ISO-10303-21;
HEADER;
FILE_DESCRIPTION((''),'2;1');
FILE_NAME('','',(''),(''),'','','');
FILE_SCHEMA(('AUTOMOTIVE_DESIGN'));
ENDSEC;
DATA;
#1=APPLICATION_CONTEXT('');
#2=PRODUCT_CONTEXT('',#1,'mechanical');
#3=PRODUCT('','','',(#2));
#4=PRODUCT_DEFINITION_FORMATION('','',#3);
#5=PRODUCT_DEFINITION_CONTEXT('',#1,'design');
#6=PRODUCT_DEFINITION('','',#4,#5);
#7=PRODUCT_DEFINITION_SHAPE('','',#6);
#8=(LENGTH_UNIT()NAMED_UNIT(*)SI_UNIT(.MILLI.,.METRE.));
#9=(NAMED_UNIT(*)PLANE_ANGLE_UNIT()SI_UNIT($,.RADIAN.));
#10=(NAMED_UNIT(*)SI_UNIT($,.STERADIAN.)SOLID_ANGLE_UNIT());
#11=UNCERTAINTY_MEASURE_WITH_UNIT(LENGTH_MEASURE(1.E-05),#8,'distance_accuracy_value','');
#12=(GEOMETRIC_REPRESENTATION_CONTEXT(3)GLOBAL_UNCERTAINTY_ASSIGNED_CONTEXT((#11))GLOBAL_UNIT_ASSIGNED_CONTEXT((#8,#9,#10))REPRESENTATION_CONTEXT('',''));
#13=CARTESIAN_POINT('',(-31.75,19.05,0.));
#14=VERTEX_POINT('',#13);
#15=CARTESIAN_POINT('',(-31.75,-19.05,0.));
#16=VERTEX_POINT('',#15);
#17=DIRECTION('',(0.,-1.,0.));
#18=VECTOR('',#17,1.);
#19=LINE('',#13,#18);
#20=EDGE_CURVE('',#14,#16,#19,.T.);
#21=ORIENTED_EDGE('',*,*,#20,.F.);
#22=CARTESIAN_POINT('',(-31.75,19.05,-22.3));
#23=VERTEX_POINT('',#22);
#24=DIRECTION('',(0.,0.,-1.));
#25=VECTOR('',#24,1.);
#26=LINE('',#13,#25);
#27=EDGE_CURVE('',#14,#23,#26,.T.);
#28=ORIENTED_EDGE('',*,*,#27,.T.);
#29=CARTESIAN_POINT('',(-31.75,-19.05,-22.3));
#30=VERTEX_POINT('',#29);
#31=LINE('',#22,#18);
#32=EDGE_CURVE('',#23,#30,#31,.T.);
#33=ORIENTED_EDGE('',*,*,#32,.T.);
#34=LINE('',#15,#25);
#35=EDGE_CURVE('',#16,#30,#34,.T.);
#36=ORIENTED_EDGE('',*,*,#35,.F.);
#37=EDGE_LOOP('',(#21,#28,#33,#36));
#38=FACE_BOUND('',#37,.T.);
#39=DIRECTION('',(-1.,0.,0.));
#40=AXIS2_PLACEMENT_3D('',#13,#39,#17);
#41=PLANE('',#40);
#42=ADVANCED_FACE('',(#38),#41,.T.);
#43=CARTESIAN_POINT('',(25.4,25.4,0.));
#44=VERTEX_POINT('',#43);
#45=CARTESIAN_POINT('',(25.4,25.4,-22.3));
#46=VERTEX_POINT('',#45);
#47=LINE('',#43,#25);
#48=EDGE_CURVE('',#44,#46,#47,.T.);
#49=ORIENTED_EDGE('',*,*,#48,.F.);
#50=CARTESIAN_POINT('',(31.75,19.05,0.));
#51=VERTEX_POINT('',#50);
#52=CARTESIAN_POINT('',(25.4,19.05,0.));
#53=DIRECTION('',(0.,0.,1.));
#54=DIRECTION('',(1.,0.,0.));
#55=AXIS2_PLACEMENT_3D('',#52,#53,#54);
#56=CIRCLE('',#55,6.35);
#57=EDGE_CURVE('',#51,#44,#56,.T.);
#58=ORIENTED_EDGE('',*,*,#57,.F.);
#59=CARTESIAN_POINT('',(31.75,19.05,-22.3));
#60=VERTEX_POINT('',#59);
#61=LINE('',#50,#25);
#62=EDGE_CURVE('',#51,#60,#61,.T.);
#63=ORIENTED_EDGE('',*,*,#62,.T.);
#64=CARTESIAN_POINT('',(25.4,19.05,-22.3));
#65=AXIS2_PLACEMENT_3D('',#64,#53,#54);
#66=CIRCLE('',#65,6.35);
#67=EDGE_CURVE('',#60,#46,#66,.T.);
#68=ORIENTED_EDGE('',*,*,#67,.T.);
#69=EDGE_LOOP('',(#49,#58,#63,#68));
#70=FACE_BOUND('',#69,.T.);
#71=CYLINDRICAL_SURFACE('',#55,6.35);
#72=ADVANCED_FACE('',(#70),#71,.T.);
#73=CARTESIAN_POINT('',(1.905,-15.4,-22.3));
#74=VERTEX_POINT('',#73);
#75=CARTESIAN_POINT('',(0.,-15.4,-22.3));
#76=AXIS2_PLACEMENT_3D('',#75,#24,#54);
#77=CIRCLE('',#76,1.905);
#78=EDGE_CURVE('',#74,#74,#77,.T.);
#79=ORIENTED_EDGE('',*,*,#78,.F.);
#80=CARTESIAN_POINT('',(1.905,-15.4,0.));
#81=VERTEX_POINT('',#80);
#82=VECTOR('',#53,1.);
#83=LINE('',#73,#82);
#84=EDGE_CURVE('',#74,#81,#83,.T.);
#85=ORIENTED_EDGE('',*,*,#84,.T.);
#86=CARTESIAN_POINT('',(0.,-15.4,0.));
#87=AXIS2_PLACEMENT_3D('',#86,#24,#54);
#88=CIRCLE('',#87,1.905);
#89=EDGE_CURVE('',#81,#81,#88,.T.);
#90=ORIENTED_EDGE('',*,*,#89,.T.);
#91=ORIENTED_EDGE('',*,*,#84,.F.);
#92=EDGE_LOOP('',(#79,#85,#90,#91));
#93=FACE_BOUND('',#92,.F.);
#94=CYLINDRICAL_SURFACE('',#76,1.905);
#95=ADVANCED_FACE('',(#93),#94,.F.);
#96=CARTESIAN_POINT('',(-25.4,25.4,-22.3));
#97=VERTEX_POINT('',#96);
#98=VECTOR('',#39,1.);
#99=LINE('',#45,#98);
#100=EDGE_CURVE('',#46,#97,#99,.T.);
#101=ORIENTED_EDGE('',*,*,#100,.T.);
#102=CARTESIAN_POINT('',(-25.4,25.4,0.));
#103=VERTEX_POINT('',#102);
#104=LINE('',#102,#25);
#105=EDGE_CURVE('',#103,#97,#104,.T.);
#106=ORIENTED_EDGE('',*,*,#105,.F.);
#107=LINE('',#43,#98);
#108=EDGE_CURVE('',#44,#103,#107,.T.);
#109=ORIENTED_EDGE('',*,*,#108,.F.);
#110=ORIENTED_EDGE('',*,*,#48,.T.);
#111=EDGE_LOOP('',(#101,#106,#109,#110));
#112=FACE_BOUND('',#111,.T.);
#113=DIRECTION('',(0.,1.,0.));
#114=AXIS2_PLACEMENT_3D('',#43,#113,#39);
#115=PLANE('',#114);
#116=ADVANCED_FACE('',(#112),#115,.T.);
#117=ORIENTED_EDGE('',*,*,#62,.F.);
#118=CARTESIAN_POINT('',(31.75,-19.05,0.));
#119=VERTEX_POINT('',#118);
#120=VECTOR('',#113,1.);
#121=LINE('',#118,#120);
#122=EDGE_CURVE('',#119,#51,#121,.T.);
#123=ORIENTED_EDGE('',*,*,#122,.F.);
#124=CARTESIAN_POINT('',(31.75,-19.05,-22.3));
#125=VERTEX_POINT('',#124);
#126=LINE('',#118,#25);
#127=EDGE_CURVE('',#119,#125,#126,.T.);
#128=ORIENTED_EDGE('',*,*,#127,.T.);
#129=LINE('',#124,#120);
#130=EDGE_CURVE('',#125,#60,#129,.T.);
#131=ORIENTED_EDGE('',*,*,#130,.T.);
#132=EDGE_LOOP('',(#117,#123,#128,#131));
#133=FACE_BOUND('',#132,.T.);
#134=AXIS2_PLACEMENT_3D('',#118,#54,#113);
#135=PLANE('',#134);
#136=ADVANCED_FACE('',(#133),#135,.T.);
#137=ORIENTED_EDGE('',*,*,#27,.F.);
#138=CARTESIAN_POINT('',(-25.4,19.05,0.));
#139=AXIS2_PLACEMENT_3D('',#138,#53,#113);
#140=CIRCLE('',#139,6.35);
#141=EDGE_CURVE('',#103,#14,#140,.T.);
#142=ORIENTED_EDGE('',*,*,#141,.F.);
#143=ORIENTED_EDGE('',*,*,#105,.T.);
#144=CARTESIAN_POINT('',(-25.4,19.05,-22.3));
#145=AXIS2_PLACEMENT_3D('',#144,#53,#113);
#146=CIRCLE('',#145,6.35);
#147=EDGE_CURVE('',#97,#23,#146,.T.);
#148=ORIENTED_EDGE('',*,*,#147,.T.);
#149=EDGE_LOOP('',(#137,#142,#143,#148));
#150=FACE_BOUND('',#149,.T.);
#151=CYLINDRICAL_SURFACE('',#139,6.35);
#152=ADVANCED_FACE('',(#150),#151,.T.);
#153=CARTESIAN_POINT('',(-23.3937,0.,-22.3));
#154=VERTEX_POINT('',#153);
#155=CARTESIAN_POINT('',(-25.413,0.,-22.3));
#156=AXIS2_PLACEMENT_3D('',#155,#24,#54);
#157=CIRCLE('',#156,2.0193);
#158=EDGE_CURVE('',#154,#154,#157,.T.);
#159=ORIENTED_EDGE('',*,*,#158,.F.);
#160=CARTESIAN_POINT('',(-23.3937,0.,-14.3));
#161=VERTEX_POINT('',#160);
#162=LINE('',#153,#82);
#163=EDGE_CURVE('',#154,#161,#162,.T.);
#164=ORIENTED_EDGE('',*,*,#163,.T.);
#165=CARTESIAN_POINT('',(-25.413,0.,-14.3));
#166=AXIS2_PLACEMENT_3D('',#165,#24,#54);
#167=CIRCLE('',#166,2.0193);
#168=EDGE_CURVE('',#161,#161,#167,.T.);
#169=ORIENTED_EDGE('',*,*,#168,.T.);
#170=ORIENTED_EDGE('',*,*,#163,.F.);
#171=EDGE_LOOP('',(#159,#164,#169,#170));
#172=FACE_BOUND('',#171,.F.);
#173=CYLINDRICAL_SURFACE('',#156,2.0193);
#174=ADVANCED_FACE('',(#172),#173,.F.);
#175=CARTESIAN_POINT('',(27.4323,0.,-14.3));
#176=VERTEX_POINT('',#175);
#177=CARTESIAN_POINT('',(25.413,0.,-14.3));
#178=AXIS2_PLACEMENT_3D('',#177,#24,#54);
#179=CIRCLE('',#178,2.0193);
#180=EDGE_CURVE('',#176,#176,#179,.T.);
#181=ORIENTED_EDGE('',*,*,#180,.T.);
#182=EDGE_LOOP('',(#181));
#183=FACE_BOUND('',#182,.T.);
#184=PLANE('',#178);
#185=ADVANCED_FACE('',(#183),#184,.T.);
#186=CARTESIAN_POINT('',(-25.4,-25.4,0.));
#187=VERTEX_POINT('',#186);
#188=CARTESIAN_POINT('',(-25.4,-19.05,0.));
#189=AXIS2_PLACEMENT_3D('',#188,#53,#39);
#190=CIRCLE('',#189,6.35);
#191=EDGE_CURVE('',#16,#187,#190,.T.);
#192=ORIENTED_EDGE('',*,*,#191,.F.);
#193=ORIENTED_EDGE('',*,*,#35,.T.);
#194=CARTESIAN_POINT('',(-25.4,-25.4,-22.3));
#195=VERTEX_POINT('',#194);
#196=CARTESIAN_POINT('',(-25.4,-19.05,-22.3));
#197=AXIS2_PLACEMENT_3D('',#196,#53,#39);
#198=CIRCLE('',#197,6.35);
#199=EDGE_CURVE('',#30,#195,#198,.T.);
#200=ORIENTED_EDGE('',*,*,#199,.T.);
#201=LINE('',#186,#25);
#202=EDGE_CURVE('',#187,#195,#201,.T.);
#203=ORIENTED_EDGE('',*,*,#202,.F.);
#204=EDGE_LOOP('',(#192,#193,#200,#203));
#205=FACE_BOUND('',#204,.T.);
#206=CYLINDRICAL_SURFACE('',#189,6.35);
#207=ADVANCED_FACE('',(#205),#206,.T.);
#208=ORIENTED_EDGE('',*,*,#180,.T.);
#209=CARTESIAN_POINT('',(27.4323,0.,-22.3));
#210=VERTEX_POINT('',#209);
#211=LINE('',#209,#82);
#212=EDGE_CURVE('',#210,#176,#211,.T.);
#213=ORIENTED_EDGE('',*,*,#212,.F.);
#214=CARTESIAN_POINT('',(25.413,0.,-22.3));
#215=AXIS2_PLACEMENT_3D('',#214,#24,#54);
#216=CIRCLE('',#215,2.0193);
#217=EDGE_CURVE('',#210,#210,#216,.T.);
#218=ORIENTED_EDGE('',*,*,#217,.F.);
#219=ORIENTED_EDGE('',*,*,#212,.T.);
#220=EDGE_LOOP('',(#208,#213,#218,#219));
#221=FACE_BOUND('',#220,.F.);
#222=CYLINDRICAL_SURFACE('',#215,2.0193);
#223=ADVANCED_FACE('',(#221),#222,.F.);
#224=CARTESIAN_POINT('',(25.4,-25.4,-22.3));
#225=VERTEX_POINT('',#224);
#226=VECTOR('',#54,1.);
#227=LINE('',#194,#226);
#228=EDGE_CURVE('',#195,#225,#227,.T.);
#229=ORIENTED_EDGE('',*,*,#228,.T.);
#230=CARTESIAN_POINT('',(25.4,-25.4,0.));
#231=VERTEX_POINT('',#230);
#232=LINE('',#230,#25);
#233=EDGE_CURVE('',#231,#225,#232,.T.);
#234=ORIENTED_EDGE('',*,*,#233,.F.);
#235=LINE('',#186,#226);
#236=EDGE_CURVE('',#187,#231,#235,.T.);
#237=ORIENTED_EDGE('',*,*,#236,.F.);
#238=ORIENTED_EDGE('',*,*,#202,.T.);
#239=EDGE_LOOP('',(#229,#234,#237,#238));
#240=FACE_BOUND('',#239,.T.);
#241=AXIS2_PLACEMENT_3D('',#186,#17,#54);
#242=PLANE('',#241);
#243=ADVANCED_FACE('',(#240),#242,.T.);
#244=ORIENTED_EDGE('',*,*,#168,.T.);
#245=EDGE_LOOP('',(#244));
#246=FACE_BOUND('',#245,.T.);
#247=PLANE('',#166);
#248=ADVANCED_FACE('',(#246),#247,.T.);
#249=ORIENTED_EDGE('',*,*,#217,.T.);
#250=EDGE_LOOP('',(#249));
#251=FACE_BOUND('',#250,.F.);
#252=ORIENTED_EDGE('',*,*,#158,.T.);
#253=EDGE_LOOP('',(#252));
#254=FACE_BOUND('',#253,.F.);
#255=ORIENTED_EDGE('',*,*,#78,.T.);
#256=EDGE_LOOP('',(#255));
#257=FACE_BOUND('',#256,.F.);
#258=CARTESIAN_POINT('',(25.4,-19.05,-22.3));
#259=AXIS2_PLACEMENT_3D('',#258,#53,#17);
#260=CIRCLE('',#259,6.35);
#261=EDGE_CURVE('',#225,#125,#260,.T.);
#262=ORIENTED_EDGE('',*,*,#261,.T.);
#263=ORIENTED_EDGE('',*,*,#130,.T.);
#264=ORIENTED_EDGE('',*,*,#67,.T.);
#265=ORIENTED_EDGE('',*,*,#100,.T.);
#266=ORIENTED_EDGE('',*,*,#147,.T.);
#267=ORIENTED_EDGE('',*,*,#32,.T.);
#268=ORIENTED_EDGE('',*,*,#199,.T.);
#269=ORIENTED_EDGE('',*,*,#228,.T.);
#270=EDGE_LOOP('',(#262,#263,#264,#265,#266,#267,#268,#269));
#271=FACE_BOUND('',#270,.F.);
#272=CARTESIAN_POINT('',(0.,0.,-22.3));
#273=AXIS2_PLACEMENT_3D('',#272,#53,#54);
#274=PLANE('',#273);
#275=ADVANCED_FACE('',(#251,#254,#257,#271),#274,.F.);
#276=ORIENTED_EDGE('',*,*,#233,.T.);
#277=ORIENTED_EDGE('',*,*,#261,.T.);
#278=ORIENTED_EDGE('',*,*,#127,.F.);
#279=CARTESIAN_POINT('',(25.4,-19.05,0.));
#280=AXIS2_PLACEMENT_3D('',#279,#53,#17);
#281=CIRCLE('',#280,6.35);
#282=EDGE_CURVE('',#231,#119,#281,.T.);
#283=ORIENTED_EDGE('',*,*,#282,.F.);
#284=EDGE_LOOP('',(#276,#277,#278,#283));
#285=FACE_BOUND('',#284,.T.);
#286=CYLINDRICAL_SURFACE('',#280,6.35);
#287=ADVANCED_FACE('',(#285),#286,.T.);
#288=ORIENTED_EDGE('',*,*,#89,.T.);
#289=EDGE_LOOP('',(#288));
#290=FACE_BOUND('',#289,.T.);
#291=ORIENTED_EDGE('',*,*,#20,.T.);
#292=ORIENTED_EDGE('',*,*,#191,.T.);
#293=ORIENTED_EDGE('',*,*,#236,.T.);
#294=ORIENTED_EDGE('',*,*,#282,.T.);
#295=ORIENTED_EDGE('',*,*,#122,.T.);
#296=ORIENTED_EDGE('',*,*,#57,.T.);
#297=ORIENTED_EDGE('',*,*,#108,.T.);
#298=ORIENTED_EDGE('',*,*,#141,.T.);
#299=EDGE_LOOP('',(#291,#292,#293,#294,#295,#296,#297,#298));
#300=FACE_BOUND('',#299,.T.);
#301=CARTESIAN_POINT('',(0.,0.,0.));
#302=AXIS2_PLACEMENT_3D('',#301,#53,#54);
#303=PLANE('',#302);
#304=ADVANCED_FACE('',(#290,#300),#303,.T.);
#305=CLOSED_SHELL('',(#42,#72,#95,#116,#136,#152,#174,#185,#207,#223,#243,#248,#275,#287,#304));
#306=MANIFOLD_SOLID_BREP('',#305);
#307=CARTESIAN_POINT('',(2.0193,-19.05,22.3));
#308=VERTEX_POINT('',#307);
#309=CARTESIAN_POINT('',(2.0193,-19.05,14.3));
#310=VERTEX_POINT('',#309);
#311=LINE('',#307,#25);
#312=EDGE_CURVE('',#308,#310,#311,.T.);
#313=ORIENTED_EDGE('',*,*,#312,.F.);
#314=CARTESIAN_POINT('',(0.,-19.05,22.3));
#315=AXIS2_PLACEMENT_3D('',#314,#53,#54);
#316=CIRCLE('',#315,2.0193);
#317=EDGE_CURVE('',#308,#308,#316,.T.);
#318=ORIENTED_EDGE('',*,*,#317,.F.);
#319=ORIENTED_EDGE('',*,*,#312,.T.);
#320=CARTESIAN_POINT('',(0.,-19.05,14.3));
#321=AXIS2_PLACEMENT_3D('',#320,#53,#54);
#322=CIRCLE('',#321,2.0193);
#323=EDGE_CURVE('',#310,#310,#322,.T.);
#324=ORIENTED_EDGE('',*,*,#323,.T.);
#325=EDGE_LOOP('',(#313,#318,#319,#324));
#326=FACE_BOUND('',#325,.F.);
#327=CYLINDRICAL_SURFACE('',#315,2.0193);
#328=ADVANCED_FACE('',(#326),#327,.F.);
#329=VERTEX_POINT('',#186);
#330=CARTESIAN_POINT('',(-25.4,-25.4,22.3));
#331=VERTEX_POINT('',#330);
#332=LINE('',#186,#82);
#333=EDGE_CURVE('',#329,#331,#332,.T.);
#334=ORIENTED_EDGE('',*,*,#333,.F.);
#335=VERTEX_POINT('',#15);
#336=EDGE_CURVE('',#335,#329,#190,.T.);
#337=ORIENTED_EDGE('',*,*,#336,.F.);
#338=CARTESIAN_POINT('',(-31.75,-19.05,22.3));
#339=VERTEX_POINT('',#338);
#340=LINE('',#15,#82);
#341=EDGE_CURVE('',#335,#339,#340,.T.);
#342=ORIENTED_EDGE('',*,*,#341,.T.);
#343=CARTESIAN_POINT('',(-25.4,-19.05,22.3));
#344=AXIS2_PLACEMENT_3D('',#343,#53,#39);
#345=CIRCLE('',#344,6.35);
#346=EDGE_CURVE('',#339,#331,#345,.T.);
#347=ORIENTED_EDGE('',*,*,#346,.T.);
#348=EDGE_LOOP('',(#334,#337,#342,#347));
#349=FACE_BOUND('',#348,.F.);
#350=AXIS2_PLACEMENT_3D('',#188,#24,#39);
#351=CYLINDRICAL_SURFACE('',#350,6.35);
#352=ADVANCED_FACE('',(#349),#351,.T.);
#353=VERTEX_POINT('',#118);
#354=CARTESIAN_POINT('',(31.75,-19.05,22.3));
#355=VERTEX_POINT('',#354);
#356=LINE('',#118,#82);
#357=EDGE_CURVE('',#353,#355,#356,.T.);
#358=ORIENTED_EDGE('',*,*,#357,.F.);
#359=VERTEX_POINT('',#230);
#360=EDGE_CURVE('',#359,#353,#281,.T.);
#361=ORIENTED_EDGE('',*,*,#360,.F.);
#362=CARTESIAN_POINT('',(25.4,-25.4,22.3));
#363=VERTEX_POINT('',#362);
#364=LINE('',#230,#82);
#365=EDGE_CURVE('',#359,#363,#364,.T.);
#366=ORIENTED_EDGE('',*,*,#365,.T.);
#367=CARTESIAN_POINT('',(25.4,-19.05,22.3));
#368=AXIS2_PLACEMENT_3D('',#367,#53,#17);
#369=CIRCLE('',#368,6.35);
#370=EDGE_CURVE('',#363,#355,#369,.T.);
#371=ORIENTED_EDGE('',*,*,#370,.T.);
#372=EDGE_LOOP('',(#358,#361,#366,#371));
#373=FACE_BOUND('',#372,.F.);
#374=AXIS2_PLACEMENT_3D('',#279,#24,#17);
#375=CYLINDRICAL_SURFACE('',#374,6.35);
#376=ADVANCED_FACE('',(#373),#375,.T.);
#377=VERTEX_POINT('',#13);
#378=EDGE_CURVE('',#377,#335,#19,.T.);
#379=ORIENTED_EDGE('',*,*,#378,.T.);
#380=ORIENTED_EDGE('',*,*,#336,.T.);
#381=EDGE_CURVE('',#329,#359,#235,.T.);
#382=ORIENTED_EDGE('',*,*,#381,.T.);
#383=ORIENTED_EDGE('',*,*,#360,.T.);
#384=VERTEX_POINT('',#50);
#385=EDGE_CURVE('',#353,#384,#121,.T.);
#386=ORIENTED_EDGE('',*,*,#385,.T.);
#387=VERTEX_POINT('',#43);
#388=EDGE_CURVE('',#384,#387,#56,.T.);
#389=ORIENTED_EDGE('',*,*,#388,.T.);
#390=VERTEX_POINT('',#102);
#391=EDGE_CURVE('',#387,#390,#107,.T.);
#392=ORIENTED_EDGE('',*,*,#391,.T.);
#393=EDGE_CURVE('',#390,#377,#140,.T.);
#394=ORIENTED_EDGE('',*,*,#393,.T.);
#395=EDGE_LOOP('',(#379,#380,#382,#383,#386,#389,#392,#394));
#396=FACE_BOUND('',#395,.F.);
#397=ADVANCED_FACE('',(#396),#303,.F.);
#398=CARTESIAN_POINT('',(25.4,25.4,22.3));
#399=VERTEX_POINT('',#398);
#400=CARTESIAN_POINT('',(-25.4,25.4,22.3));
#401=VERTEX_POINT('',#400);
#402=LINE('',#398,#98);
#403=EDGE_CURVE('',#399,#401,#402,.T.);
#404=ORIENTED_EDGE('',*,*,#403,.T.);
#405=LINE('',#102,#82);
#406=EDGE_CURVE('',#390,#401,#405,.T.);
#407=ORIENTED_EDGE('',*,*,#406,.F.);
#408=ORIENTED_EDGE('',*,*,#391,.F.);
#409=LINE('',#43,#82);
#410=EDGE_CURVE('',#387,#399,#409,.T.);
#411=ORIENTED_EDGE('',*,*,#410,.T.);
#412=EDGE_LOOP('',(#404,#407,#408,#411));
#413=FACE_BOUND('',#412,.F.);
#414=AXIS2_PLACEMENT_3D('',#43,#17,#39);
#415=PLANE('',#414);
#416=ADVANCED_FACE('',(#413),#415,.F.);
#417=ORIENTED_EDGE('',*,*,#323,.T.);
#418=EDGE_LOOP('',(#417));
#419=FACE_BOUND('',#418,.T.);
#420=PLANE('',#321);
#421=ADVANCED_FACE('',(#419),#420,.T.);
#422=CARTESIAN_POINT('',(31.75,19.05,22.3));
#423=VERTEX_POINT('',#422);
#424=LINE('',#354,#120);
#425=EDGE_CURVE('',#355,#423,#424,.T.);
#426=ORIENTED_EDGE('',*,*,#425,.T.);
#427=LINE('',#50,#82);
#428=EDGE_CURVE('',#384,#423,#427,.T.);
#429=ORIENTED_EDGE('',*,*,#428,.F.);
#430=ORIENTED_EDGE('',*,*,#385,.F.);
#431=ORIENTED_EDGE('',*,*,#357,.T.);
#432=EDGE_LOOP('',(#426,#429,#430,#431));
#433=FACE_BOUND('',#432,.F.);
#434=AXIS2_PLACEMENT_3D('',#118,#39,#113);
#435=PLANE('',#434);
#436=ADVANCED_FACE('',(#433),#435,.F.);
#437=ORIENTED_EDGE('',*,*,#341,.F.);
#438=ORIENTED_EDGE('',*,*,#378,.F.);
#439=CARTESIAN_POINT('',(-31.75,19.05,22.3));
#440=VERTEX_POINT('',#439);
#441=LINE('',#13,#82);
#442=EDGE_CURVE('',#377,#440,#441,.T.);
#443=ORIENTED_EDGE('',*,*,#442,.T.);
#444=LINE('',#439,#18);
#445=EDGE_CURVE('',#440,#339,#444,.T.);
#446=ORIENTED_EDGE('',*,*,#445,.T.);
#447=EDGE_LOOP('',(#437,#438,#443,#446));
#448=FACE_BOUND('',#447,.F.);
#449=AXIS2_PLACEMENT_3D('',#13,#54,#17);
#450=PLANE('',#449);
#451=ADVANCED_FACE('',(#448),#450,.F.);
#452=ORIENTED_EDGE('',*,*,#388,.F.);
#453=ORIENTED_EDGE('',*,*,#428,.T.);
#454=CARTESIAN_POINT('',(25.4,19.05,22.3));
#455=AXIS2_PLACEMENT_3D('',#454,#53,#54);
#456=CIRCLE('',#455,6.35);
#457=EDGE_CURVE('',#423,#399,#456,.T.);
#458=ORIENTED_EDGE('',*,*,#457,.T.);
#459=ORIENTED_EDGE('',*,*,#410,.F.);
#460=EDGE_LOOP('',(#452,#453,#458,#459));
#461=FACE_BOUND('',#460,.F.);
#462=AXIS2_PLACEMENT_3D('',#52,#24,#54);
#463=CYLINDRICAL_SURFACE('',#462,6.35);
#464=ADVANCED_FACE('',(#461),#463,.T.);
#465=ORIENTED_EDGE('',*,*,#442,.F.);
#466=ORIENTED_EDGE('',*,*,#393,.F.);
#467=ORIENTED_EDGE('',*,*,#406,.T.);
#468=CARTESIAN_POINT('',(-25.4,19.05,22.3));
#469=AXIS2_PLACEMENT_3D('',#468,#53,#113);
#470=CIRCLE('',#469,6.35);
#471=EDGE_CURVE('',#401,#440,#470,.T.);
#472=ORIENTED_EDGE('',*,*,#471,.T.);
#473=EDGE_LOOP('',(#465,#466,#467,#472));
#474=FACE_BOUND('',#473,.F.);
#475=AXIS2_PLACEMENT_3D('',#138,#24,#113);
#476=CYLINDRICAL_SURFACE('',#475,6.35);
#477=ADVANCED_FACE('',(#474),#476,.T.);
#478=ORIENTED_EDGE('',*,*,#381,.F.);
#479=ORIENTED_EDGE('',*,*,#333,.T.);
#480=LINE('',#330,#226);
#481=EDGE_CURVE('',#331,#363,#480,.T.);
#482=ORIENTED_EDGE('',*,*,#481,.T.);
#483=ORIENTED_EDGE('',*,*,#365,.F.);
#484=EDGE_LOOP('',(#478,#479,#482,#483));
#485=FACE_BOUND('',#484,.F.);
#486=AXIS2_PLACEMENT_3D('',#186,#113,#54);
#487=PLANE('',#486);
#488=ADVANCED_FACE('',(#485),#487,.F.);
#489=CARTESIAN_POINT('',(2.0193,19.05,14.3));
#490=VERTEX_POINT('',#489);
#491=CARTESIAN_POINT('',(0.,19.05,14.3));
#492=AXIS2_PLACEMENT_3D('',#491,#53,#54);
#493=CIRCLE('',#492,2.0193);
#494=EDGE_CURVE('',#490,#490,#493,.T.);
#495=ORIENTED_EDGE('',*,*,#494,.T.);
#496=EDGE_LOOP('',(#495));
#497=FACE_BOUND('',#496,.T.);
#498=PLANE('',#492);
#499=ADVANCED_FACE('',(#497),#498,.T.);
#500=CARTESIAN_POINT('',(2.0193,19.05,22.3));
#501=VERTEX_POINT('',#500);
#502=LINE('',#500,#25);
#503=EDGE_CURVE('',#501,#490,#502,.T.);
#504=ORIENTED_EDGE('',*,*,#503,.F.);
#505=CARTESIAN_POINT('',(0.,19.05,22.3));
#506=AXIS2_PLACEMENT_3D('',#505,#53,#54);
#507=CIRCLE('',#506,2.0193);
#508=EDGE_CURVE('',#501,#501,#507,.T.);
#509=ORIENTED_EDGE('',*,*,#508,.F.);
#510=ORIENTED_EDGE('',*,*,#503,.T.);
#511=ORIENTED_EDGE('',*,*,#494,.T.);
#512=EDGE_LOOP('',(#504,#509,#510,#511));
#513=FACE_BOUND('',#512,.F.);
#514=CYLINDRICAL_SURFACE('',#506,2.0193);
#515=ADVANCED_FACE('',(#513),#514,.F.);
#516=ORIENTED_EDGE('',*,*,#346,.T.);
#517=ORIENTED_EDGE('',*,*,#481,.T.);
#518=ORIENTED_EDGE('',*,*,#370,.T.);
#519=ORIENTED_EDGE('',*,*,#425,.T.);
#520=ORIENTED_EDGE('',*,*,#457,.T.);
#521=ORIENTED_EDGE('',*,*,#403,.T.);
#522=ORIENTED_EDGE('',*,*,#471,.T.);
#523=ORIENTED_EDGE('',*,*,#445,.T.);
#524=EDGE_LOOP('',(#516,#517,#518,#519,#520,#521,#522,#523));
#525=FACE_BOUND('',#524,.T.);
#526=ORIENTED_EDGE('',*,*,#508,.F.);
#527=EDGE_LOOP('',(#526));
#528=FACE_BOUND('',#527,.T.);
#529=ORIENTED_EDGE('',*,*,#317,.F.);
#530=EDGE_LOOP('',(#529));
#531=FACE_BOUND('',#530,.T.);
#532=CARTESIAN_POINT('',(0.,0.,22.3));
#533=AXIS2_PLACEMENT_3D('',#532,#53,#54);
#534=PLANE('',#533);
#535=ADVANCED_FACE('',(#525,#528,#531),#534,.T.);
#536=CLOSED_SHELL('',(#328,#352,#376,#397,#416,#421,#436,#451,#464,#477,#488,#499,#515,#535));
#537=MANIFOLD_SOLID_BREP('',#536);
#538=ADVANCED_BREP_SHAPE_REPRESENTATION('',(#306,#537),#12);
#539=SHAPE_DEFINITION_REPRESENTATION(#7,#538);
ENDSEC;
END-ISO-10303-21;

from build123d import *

# Parameters (mm, degrees)
F1_DEPTH = 22.3
F2_R     = 2.0193
F3_DEPTH = 8
F4_DEPTH = 22.3
F5_R     = 1.905
F6_DEPTH = 22.3
F7_R     = 2.0193
F8_DEPTH = 8


with BuildPart() as f1:
    # F0 (on Top) → F1 (new body)
    with BuildSketch(Plane.XY):
        with BuildLine():
            ThreePointArc((31.75, 19.05), (29.8901280605, 23.5401280605), (25.4, 25.4))
            Line((25.4, 25.4), (-25.4, 25.4))
            ThreePointArc((-25.4, 25.4), (-29.8901280605, 23.5401280605), (-31.75, 19.05))
            Line((-31.75, 19.05), (-31.75, -19.05))
            ThreePointArc((-31.75, -19.05), (-29.8901280605, -23.5401280605), (-25.4, -25.4))
            Line((-25.4, -25.4), (25.4, -25.4))
            ThreePointArc((25.4, -25.4), (29.8901280605, -23.5401280605), (31.75, -19.05))
            Line((31.75, -19.05), (31.75, 19.05))
        make_face()
    extrude(amount=F1_DEPTH)

    # F2 (on face) → F3 (cut)
    with BuildSketch(Plane.XY.offset(22.3)):
        with Locations((0, 19.05)):
            Circle(F2_R)
        with Locations((0, -19.05)):
            Circle(F2_R)
    extrude(amount=-F3_DEPTH, mode=Mode.SUBTRACT)


with BuildPart() as f4:
    # F4 (new): a face of the model
    f4_faces = [f1.part.faces().sort_by_distance(p)[0] for p in [
        (0, 0, 0),
    ]]
    extrude(f4_faces, amount=F4_DEPTH)

    # F5 (on face) → F6 (cut, through all)
    with BuildSketch(Plane(origin=(0, 0, -22.3), x_dir=(1, 0, 0), z_dir=(0, 0, -1))):
        with Locations((0, 15.4)):
            Circle(F5_R)
    extrude(amount=-F6_DEPTH, mode=Mode.SUBTRACT)

    # F7 (on face) → F8 (cut)
    with BuildSketch(Plane(origin=(0, 0, -22.3), x_dir=(1, 0, 0), z_dir=(0, 0, -1))):
        with Locations((-25.413, 0)):
            Circle(F7_R)
        with Locations((25.413, 0)):
            Circle(F7_R)
    extrude(amount=-F8_DEPTH, mode=Mode.SUBTRACT)


solid = Compound([f1.part, f4.part])
